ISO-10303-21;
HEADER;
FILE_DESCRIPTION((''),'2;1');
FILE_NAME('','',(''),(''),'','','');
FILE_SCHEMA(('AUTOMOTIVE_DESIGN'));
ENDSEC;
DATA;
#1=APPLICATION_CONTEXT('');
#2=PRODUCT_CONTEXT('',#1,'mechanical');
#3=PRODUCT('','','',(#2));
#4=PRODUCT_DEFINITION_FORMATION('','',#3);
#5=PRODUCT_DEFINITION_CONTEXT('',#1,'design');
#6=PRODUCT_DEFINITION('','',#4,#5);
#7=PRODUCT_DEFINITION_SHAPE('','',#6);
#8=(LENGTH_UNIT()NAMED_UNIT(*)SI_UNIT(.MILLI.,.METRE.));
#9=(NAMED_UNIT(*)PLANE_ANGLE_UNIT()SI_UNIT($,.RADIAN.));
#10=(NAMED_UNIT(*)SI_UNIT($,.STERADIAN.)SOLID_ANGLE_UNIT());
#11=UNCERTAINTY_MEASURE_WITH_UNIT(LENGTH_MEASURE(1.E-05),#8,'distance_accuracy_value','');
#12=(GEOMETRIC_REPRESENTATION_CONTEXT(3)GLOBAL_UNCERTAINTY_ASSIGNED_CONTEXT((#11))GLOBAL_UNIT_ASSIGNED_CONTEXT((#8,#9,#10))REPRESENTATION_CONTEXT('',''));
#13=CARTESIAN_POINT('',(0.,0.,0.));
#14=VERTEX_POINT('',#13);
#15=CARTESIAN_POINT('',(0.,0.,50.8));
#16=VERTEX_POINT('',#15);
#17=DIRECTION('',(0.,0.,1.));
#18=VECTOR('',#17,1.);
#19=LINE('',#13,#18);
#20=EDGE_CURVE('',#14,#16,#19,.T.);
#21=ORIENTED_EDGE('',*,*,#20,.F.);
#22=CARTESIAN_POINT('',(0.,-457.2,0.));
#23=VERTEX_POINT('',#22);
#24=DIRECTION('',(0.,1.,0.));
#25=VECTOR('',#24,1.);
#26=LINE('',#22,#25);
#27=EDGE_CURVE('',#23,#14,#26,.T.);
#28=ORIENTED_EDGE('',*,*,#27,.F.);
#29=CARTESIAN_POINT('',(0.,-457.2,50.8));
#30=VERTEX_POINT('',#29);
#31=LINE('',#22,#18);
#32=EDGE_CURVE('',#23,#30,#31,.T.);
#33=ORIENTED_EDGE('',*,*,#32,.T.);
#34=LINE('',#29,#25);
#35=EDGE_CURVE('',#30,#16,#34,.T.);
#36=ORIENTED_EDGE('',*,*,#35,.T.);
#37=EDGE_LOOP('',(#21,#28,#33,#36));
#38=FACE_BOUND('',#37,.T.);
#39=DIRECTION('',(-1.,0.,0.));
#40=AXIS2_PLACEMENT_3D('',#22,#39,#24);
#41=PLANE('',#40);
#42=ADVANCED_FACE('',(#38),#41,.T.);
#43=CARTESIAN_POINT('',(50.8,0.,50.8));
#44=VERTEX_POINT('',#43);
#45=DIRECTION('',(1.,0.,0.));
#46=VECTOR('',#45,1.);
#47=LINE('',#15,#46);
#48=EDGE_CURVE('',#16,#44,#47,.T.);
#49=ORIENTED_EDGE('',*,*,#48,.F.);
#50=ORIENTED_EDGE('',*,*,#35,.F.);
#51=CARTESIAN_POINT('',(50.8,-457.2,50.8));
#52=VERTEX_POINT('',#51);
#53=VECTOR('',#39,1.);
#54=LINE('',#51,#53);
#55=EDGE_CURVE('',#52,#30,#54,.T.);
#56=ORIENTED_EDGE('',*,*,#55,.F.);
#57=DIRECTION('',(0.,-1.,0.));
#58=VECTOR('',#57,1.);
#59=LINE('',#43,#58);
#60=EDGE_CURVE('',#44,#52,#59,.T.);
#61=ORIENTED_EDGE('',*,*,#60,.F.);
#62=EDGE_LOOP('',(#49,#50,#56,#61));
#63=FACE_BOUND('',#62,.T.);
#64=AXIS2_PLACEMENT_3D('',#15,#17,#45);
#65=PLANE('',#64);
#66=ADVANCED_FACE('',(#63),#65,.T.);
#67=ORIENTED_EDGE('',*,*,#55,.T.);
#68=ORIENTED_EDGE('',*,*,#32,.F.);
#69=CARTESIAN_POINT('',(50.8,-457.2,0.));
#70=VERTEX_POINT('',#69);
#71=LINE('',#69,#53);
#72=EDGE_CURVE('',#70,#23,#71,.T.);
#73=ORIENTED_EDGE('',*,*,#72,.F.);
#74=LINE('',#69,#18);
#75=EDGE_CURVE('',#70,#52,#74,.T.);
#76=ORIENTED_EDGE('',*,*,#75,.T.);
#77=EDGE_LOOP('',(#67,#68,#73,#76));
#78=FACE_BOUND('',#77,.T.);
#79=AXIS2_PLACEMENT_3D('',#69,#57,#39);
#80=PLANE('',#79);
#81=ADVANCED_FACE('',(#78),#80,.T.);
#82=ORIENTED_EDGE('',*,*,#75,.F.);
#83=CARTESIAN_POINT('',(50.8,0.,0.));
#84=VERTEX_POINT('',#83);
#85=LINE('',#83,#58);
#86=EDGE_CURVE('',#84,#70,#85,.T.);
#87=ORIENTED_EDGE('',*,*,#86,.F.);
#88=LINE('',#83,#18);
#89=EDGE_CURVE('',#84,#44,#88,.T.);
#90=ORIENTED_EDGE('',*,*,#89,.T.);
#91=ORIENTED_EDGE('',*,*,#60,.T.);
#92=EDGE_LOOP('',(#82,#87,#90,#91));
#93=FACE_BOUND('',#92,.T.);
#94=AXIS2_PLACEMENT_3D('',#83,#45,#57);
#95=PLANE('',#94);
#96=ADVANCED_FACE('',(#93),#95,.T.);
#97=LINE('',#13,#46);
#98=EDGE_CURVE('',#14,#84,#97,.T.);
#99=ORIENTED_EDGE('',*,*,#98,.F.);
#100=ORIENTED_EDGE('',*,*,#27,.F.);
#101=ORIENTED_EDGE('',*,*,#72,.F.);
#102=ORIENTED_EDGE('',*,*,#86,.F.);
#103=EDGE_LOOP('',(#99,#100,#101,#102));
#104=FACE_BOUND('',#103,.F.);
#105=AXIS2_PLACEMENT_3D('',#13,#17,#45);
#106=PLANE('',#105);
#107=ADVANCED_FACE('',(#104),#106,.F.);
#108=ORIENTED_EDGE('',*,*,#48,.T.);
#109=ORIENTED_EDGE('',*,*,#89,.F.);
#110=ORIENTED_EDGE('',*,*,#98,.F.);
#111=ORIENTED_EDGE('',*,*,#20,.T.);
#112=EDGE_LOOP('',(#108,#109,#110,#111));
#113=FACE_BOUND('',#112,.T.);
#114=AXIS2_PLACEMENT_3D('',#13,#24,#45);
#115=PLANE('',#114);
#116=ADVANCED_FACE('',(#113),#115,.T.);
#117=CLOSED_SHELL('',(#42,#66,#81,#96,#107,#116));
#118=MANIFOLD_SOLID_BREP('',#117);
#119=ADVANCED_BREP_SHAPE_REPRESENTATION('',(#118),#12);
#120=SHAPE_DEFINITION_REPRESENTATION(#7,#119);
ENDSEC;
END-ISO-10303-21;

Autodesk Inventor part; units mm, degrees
ref_plane "YZ Plane" through (0, 0, 0) normal (1, 0, 0) x (0, 1, 0)
ref_plane "XZ Plane" through (0, 0, 0) normal (0, 1, 0) x (-1, 0, 0)
ref_plane "XY Plane" through (0, 0, 0) normal (0, 0, 1) x (1, 0, 0)
sketch "Sketch1" plane through (0, 0, 0) normal (0, 0, 1) x (1, 0, 0)
  line L0 (0, 0) -> (50.8, 0)
  line L1 (50.8, 0) -> (50.8, -457.2)
  line L2 (50.8, -457.2) -> (0, -457.2)
  line L3 (0, -457.2) -> (0, 0)
  dimension "d0" = 50.8
  dimension "d1" = 457.2
extrude "Extrusion1" add sketch "Sketch1" along normal blind 50.8
properties part number "rev1 base large wall v stud"
